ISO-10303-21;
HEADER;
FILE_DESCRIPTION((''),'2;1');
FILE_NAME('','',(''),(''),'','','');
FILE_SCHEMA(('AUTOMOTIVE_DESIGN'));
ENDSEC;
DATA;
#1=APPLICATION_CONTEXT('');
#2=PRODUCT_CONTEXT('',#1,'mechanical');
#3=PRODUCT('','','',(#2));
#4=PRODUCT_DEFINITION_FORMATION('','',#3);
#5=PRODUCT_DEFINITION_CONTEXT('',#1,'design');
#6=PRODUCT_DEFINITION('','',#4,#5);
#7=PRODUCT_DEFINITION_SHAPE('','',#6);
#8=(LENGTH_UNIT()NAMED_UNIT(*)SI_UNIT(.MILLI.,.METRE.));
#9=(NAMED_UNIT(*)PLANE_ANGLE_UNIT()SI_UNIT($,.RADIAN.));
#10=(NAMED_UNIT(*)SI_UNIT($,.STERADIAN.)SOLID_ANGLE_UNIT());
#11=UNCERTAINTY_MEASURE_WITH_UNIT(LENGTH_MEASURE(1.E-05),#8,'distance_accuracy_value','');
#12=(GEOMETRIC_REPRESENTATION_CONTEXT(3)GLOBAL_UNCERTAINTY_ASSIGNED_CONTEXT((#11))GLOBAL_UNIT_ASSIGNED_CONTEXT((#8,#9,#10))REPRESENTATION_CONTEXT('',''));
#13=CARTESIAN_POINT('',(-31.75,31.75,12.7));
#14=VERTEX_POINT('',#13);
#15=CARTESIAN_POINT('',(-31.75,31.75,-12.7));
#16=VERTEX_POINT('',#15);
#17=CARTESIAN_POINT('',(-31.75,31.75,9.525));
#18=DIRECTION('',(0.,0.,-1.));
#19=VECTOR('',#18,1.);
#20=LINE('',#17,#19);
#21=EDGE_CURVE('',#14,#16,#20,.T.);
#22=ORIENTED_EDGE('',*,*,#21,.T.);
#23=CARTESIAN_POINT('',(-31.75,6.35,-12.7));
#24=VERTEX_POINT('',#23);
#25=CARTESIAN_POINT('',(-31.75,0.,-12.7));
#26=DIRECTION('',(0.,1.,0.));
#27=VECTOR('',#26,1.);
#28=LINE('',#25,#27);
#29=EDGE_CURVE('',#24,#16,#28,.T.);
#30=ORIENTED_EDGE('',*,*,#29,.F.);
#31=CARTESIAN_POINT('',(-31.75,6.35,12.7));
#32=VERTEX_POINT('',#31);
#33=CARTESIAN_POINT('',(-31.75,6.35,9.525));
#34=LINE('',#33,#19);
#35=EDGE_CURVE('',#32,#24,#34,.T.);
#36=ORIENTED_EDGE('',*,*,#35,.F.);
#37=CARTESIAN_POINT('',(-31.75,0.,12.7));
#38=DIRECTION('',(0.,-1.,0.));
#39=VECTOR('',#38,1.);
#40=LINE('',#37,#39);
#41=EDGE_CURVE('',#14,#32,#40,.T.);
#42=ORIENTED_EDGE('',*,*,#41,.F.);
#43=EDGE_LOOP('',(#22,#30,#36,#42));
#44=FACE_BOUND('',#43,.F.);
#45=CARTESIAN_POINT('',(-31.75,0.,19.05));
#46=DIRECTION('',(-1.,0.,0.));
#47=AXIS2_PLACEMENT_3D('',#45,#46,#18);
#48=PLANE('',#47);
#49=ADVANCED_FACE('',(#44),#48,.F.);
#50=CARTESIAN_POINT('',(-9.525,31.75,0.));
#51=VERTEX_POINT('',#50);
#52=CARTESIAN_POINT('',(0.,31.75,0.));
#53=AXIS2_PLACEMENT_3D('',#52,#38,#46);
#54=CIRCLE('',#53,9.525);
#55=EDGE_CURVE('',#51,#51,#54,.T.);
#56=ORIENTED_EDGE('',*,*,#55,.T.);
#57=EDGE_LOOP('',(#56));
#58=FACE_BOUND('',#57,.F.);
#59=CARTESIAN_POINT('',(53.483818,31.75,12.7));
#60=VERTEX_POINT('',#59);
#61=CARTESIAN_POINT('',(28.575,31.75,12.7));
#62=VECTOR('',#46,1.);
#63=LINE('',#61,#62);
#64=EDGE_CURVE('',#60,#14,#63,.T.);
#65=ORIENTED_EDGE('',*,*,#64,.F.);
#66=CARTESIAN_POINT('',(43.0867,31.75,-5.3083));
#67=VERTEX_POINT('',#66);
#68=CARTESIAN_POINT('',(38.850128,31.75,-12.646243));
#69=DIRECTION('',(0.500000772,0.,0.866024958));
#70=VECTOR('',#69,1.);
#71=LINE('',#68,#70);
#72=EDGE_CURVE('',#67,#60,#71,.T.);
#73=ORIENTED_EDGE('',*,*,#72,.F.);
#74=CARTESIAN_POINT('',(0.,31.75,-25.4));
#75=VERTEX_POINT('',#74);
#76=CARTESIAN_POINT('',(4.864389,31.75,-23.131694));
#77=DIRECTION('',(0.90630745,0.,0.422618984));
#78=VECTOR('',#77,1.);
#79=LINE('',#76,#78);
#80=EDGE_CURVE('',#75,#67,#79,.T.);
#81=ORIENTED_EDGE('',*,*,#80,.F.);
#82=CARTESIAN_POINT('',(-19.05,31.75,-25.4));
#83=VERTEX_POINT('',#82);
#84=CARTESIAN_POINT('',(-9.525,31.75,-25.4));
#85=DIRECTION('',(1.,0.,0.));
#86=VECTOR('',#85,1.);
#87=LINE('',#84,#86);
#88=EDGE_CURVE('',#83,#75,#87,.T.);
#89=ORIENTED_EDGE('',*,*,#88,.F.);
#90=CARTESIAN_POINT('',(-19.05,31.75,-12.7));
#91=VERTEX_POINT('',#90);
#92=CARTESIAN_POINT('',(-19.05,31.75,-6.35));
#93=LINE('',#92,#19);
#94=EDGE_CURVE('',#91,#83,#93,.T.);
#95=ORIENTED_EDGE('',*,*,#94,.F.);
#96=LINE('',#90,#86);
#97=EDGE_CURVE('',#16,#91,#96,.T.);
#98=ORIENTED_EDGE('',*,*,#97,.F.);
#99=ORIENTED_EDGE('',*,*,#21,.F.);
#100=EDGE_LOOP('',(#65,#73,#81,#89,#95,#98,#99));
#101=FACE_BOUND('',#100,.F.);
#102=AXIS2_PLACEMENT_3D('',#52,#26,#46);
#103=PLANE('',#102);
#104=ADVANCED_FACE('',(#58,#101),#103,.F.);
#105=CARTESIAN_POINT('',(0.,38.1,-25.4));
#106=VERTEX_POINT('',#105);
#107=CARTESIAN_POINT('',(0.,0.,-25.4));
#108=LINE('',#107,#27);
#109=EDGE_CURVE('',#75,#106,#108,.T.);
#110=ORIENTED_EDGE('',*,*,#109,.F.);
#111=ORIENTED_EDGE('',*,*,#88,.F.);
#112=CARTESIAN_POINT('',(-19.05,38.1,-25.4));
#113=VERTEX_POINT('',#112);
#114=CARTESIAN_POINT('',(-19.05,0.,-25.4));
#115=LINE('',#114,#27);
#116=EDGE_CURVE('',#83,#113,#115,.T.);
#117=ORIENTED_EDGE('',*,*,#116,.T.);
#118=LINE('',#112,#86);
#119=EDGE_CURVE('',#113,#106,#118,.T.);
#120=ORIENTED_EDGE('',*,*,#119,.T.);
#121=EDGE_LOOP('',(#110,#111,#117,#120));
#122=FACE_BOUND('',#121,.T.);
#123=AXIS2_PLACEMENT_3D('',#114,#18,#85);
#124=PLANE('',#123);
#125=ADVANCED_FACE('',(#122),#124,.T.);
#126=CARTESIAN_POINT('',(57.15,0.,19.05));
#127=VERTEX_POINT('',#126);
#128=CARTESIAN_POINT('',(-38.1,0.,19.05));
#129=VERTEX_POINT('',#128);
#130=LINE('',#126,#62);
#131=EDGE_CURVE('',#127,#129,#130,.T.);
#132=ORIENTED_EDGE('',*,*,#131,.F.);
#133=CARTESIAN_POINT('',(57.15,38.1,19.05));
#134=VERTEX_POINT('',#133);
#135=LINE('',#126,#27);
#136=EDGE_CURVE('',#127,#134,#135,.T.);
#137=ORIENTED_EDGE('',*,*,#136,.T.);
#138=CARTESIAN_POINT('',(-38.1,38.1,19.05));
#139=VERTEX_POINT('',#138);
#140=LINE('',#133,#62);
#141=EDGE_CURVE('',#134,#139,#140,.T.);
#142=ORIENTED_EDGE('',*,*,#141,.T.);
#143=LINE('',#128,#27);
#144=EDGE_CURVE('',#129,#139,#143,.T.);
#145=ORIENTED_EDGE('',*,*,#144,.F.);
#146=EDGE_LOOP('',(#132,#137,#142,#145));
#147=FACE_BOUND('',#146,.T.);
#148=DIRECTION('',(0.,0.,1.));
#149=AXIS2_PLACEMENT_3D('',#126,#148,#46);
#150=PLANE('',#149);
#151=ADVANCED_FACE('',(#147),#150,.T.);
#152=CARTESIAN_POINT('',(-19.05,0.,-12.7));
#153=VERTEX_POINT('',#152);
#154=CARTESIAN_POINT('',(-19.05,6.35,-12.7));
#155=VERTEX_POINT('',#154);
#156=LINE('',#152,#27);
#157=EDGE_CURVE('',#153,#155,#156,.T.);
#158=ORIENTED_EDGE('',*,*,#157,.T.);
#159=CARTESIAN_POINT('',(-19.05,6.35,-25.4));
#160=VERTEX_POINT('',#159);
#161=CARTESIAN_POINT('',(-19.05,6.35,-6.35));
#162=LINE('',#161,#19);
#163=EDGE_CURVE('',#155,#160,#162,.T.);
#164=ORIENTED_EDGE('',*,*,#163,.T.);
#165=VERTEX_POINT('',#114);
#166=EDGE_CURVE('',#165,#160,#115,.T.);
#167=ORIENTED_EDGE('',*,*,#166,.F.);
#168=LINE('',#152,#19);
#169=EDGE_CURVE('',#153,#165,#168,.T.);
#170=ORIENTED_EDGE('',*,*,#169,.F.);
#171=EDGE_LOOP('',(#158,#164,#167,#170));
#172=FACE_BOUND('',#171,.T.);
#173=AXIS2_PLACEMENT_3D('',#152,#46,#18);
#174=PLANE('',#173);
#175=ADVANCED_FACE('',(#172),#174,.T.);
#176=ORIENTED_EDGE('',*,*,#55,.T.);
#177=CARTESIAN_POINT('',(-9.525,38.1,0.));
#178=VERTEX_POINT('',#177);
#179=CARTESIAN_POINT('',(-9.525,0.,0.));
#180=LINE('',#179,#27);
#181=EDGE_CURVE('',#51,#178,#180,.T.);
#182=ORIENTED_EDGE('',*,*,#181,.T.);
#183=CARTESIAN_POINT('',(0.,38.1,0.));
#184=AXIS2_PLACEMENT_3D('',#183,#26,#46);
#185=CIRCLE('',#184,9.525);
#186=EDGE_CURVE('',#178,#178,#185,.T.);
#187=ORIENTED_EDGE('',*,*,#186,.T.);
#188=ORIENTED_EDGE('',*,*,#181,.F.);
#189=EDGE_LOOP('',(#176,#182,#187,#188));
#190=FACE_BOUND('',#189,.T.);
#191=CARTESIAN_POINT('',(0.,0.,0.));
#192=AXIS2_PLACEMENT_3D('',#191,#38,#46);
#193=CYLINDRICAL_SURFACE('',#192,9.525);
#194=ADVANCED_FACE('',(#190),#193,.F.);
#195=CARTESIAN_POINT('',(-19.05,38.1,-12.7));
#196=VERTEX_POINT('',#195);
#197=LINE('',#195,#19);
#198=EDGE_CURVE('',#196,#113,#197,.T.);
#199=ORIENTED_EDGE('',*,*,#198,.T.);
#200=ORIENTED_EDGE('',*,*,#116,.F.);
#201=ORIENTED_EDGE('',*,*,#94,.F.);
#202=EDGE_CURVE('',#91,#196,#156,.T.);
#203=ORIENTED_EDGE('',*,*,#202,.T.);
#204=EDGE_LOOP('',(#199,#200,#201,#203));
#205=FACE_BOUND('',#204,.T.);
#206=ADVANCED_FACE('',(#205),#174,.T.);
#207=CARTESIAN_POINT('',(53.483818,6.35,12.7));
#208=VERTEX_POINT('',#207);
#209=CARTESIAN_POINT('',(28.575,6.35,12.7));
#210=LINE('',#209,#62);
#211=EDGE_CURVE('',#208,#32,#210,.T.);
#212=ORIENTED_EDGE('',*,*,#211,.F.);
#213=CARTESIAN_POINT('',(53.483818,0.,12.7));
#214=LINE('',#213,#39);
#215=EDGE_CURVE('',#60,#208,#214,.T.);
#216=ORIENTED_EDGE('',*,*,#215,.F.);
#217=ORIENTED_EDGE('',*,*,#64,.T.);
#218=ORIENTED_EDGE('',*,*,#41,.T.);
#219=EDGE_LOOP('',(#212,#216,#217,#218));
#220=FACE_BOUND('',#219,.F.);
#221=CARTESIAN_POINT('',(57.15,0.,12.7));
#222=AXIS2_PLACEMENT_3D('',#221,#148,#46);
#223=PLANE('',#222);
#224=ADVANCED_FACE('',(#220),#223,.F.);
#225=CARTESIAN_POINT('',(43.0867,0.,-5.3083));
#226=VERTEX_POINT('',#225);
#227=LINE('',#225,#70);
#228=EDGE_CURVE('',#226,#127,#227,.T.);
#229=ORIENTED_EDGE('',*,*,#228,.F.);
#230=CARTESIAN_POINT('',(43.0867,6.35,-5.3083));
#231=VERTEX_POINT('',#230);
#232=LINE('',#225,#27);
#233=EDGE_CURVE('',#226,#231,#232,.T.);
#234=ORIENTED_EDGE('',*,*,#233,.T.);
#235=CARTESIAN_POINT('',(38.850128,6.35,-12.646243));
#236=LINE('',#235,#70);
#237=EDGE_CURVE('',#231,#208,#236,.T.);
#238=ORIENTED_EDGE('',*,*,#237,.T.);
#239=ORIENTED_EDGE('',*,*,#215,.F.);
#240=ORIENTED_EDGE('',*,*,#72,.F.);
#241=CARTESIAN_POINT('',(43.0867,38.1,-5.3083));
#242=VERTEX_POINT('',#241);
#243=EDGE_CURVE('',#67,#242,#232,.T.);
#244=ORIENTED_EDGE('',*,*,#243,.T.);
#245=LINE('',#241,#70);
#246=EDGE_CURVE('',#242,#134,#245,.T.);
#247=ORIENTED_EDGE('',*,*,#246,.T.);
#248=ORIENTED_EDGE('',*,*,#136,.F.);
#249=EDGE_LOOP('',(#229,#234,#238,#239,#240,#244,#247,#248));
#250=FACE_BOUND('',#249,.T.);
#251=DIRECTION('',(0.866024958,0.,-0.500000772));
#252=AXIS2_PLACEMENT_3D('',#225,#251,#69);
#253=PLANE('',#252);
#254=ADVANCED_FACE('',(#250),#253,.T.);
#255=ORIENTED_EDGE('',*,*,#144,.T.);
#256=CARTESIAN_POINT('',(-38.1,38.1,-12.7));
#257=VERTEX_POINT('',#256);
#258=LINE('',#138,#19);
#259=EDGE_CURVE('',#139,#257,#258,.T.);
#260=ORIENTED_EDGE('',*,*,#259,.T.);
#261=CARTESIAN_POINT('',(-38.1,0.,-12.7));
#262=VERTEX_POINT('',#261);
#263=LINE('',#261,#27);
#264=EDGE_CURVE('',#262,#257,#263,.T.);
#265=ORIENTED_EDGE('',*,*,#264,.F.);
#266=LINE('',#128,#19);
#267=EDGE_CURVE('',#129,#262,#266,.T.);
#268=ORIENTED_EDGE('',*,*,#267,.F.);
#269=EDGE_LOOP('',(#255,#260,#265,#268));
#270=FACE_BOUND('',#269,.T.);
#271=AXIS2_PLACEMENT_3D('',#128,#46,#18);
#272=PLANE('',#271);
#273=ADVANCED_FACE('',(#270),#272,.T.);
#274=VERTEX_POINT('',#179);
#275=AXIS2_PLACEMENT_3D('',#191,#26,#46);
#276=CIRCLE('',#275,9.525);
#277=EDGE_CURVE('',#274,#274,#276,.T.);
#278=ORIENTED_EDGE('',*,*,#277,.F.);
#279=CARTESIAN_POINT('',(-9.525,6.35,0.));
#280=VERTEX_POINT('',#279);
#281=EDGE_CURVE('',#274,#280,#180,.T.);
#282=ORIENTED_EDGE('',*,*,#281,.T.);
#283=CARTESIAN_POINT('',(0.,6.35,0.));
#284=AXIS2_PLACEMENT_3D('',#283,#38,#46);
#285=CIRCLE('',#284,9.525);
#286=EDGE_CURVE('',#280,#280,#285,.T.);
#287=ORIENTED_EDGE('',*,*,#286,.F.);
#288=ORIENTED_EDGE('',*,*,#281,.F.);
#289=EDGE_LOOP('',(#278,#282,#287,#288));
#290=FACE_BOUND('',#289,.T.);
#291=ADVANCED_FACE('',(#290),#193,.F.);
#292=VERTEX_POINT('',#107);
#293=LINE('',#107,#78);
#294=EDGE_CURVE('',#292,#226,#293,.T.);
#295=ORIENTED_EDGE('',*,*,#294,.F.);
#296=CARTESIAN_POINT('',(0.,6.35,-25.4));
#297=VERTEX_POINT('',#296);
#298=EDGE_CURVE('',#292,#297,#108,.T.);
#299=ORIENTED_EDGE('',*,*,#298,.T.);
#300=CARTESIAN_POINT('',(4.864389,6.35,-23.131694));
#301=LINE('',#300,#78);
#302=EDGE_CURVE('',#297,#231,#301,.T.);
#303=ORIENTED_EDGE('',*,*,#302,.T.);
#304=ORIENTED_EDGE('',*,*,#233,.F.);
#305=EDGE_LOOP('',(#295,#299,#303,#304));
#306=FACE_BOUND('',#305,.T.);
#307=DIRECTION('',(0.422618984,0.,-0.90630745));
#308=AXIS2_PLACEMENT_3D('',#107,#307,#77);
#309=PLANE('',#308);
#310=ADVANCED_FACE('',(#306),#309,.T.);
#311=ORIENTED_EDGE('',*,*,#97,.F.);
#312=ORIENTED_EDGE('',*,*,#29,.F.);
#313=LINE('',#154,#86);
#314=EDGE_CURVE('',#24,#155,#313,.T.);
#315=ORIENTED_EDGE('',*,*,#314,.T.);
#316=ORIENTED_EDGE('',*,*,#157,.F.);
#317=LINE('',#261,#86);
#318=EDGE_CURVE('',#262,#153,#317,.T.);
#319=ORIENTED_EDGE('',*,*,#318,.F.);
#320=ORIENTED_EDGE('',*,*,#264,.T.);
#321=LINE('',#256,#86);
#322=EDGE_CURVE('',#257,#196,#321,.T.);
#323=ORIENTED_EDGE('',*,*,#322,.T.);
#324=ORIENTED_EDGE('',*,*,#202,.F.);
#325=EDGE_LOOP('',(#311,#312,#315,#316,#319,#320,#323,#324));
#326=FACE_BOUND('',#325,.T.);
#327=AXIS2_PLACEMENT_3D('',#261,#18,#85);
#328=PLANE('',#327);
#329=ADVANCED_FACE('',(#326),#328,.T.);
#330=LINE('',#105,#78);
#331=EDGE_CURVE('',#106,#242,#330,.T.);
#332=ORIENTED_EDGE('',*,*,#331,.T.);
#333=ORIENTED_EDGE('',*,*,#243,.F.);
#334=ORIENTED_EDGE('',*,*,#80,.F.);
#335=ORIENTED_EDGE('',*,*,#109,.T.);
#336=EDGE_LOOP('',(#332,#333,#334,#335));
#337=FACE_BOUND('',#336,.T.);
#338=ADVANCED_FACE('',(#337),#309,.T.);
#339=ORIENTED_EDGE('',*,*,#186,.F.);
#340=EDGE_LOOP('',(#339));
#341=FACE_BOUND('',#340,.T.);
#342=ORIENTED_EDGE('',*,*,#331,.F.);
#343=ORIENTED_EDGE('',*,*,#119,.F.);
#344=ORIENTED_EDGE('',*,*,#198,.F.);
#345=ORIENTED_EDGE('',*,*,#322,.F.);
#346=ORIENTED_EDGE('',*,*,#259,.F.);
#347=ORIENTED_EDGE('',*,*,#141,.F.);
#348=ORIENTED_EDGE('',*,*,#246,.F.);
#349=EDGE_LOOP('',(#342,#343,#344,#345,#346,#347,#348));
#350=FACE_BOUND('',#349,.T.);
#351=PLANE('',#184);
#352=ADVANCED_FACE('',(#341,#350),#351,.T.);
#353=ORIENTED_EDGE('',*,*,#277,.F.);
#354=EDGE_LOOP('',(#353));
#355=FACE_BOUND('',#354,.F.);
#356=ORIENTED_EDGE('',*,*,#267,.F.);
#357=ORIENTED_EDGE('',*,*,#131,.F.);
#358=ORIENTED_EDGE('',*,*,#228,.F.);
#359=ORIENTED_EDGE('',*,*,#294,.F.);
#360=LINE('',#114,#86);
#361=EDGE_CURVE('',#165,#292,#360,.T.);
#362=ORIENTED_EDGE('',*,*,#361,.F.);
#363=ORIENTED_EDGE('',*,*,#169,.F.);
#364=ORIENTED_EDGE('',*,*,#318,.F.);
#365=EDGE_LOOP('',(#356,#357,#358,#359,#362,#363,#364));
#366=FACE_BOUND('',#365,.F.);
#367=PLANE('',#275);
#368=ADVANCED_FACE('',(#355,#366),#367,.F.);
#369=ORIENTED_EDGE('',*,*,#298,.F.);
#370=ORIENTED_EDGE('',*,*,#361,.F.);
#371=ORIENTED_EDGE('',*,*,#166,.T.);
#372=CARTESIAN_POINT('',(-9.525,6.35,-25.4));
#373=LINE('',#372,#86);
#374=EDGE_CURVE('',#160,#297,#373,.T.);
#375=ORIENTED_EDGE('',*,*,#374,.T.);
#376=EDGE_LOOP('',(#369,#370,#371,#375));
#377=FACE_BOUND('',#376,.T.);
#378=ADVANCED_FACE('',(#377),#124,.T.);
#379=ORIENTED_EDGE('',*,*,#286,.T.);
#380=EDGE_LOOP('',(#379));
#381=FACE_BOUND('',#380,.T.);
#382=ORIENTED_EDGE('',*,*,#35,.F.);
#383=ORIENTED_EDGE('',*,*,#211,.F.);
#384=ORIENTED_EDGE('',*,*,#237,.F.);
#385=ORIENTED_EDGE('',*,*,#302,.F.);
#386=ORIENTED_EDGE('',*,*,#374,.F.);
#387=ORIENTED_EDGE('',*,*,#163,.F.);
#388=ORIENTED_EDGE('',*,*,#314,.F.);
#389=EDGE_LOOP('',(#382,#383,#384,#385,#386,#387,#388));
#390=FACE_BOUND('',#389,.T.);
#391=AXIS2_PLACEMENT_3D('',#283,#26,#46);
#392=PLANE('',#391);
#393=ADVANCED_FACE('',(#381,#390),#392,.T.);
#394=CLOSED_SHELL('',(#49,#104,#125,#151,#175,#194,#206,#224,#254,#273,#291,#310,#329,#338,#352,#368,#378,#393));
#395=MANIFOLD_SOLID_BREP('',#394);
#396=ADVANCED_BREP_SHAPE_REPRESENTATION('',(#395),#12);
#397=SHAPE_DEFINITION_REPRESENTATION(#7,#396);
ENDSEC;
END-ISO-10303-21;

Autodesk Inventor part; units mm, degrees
ref_plane "YZ Plane" through (0, 0, 0) normal (1, 0, 0) x (0, 1, 0)
ref_plane "XZ Plane" through (0, 0, 0) normal (0, 1, 0) x (-1, 0, 0)
ref_plane "XY Plane" through (0, 0, 0) normal (0, 0, 1) x (1, 0, 0)
sketch "Sketch1" plane through (0, 0, 0) normal (0, 1, 0) x (-1, 0, 0)
  circle A0 centre (0, 0) radius 9.525
  line L0 (38.1, -12.7) -> (19.05, -12.7)
  line L1 (19.05, -12.7) -> (19.05, -25.4)
  line L2 (19.05, -25.4) -> (0, -25.4)
  line L3 (0, -25.4) -> (-43.0867, -5.3083)
  line L4 (-43.0867, -5.3083) -> (-57.15, 19.05)
  line L5 (-57.15, 19.05) -> (38.1, 19.05)
  line L6 (38.1, 19.05) -> (38.1, -12.7)
  dimension "d0" = 31.75
  dimension "d1" = 44.45
  dimension "d2" = 38.1
  dimension "d3" = 19.05
  dimension "d4" = 95.25
  dimension "d5" = 60
  dimension "d6" = 25
  dimension "d7" = 38.1
  dimension "d8" = 19.05
  dimension "d9" = 19.05
extrude "Extrusion1" add sketch "Sketch1" along normal blind 38.1
shell "Shell1" thickness 6.35 removed faces 6 at (-25.4, 12.7, -12.7) at (-19.05, 12.7, -21.1667) at (52.4622, 12.7, 10.9306) at (-6.35, 12.7, -25.4) at (28.7245, 12.7, -12.0056) at (-9.4017, 25.4, -1.5279)
properties part number "GuideBlock"
